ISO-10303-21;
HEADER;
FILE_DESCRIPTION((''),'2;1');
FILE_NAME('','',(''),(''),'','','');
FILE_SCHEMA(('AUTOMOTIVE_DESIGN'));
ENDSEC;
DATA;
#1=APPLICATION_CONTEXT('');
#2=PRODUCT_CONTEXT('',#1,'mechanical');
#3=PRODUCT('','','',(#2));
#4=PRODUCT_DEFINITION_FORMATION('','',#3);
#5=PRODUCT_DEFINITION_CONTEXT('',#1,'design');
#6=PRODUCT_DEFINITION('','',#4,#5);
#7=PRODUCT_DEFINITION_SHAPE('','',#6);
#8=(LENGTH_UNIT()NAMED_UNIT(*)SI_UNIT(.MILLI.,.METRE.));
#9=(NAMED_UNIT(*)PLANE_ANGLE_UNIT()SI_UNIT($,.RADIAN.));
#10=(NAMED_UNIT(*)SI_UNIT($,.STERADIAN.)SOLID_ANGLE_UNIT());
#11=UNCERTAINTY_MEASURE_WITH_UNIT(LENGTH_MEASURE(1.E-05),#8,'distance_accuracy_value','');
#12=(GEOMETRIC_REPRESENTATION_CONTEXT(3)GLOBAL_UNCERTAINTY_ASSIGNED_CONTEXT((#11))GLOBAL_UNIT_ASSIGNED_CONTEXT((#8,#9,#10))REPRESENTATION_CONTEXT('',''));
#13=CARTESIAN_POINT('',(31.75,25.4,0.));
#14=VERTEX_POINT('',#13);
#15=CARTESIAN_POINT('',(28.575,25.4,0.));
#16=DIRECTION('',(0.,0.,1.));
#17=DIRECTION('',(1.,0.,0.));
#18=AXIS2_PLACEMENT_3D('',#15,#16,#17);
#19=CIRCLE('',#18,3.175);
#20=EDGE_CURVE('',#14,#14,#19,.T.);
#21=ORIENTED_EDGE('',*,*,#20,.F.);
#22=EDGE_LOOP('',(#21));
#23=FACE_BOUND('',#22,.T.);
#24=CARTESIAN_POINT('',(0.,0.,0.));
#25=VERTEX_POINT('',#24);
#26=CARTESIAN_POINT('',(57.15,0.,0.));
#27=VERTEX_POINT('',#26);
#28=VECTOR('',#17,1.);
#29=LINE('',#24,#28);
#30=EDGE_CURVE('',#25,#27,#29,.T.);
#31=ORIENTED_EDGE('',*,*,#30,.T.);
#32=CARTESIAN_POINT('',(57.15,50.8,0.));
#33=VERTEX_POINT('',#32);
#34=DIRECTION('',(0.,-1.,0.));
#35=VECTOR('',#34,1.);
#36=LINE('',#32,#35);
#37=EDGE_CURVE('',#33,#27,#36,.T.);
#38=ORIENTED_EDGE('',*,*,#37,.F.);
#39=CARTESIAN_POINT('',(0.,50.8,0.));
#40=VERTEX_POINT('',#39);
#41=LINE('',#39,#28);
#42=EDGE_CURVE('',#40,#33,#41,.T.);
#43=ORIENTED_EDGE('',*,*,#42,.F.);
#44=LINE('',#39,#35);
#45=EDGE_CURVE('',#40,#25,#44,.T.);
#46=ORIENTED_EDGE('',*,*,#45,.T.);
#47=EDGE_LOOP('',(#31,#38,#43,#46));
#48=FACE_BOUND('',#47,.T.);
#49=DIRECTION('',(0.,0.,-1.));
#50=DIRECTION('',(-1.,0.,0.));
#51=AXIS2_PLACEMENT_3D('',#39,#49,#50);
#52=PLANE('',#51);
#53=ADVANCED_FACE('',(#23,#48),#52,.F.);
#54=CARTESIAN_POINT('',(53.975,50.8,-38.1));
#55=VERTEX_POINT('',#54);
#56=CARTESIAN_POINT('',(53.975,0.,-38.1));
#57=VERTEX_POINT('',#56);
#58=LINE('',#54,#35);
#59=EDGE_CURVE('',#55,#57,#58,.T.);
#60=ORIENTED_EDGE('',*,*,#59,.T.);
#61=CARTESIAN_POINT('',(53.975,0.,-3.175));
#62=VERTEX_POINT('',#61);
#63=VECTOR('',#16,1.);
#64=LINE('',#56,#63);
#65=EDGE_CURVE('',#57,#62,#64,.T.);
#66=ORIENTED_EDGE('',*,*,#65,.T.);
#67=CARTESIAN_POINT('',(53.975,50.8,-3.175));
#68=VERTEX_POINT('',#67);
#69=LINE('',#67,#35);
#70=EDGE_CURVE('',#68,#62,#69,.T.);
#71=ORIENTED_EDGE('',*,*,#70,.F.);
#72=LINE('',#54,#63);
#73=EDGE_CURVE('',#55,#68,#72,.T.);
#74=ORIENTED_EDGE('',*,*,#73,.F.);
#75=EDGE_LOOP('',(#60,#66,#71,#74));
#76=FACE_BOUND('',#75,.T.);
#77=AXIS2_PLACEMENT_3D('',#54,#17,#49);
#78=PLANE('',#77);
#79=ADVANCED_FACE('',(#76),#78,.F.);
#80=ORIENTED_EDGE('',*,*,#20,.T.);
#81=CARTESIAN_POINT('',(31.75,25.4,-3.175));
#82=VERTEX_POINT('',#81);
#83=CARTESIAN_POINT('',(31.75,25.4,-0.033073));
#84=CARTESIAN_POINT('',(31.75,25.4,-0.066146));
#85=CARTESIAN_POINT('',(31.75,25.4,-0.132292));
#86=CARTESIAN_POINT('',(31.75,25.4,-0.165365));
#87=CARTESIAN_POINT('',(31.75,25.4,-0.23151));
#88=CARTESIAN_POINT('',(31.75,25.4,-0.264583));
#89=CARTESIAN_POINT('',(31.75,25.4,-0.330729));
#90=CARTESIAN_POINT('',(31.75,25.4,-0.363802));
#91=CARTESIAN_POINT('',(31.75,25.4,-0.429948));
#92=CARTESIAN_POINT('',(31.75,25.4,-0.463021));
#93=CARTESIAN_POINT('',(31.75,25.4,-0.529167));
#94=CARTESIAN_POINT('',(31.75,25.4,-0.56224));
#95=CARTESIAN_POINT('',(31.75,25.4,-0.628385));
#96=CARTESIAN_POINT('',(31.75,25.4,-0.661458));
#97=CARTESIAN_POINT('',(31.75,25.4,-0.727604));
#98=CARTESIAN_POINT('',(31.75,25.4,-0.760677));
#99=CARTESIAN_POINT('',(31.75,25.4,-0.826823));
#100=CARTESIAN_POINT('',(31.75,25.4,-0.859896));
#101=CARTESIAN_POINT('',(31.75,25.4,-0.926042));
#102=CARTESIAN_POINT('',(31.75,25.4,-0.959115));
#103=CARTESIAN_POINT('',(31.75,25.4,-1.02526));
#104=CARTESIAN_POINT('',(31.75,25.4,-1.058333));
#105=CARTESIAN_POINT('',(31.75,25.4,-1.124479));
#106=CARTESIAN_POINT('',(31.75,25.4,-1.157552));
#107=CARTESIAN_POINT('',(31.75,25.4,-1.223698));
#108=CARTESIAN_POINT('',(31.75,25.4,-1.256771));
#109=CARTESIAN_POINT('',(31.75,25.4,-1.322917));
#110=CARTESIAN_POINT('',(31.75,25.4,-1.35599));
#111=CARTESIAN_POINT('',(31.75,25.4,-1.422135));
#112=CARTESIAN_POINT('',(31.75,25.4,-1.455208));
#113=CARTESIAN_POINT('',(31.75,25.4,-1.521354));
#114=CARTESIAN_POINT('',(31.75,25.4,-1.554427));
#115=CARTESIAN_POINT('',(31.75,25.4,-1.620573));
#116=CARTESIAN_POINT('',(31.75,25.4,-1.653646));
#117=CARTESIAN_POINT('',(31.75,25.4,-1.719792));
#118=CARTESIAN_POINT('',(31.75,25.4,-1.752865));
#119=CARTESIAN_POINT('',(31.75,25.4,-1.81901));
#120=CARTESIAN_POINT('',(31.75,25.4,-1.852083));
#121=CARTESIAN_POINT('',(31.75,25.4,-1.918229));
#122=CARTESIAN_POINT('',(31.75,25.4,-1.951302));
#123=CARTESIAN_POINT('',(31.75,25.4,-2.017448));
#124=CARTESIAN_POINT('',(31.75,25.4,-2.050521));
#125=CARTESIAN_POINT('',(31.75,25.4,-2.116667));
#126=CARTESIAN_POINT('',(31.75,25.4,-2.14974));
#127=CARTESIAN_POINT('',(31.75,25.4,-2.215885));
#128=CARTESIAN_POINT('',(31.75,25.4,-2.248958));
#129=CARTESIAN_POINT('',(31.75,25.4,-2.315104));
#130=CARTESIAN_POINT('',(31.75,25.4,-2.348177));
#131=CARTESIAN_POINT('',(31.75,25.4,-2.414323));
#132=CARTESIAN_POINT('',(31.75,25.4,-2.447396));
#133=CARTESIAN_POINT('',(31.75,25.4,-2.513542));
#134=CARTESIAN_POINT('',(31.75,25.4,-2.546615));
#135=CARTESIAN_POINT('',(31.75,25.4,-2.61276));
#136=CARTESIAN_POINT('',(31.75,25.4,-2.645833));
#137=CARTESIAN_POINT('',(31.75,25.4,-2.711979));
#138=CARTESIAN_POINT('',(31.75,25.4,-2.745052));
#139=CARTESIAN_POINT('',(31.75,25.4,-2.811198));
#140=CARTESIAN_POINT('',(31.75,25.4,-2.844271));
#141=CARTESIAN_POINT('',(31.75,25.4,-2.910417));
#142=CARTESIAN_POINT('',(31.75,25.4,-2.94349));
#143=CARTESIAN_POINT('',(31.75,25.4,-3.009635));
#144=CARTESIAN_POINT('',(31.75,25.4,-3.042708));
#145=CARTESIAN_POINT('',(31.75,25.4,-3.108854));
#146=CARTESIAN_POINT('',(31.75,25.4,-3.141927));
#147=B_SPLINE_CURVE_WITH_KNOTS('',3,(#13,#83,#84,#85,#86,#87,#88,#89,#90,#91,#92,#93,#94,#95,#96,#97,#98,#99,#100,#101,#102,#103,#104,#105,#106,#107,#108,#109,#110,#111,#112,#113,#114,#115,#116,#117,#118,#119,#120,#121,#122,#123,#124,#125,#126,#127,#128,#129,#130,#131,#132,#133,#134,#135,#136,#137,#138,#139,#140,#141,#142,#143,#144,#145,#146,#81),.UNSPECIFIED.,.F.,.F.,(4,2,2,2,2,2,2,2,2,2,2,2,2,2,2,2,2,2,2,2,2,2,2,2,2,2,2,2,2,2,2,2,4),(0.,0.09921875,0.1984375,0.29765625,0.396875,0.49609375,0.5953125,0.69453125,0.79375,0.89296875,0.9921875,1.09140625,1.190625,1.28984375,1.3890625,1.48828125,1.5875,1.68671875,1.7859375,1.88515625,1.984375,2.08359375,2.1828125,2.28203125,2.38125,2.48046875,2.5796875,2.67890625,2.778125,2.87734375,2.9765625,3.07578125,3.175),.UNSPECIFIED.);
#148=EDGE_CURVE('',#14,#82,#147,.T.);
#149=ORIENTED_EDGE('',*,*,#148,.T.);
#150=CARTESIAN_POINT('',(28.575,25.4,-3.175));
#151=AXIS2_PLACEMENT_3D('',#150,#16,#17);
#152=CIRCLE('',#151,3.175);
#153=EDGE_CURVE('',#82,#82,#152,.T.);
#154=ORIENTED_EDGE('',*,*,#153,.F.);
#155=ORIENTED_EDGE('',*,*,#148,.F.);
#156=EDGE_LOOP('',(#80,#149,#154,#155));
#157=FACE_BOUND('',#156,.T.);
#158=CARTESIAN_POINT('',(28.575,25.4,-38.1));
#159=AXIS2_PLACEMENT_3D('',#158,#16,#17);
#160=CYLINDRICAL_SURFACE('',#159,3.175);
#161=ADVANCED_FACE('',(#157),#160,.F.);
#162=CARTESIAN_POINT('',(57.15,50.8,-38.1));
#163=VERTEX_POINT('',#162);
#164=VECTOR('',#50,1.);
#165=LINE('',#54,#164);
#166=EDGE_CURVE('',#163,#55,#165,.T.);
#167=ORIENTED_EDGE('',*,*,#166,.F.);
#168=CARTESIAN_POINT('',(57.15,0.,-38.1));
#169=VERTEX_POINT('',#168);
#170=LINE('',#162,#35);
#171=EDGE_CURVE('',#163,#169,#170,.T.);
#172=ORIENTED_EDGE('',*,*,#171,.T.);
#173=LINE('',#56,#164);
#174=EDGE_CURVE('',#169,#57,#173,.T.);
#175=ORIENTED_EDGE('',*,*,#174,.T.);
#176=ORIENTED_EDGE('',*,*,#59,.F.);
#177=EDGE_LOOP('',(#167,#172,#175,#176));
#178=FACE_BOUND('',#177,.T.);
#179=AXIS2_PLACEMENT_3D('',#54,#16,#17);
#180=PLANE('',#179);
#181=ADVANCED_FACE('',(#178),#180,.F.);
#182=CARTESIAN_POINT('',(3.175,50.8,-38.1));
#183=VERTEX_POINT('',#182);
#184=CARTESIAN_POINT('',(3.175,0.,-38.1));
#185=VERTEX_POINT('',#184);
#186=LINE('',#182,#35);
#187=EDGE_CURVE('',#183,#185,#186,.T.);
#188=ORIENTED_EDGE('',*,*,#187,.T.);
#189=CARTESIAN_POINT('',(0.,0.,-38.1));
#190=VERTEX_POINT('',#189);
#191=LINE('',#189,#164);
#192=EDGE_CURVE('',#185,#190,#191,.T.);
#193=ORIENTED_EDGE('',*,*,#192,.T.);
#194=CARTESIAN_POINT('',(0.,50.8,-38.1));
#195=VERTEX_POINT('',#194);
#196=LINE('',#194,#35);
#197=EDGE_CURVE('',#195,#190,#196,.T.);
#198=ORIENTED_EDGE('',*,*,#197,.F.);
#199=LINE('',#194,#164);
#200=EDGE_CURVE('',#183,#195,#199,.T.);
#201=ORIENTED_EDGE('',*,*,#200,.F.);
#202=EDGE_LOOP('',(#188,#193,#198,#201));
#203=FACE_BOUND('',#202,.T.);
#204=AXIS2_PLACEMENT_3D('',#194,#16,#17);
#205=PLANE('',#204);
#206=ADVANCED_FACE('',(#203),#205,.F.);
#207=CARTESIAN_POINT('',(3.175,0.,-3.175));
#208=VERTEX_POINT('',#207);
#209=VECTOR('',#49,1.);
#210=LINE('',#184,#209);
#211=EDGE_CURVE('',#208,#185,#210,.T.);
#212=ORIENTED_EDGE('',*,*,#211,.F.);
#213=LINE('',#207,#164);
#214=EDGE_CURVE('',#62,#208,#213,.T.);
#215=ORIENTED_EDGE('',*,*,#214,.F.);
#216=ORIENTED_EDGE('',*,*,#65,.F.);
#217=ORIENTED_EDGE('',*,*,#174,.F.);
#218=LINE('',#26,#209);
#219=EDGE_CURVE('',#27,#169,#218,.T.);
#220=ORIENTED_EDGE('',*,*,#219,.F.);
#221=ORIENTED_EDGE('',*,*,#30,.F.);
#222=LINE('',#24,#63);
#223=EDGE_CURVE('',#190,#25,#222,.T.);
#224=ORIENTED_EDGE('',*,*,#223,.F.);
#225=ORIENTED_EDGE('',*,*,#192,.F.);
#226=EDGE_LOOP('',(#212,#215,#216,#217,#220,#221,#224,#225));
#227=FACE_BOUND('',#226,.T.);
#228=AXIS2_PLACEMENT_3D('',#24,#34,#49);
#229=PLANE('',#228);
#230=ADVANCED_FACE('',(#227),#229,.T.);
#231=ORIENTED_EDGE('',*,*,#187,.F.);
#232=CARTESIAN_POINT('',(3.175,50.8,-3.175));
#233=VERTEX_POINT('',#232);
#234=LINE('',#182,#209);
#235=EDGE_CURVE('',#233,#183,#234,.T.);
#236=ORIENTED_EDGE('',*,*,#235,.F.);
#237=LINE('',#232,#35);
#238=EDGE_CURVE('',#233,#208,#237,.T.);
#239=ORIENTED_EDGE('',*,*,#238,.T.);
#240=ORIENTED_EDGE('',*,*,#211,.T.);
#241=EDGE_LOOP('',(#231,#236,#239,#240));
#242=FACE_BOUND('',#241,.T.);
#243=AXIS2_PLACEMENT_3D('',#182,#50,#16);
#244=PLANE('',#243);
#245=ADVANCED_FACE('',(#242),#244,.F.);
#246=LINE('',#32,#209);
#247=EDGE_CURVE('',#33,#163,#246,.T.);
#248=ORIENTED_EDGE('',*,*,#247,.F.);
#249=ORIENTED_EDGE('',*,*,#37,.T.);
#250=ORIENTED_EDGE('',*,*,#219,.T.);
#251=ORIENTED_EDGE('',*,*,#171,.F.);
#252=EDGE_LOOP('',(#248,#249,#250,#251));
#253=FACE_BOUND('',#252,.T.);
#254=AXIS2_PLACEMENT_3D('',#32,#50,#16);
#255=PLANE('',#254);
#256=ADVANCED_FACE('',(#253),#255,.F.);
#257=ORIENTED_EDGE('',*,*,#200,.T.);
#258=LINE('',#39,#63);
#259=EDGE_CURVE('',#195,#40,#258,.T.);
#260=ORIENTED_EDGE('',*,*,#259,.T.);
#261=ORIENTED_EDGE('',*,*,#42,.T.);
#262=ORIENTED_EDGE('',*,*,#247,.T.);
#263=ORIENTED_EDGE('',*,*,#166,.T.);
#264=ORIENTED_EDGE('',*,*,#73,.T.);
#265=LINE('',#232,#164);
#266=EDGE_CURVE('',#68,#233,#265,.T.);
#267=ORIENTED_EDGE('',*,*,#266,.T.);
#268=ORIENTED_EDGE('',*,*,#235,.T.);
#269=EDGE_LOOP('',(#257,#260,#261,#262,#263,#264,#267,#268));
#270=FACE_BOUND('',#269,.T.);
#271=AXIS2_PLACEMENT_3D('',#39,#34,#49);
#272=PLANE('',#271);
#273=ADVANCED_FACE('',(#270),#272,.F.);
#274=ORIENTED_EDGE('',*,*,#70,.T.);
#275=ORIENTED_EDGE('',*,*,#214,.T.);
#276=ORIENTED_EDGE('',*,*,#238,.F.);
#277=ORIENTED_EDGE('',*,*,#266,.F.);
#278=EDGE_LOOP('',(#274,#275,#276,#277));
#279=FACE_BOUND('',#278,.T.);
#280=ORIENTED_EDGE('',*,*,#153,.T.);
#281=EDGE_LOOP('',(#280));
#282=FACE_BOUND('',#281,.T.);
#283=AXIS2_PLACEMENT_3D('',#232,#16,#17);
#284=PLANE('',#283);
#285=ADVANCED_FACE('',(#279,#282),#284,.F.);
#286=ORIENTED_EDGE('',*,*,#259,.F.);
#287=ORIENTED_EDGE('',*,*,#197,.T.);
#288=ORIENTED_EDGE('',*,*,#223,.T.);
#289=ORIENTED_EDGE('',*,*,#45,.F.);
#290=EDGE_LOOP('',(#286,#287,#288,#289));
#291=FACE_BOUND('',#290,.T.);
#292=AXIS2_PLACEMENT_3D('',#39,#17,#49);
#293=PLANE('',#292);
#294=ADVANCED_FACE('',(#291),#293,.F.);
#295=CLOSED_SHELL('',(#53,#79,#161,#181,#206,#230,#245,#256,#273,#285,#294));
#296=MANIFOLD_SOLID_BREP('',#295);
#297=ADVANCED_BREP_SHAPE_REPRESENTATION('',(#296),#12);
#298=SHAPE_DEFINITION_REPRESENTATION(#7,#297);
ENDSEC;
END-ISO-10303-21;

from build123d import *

# Parameters (mm, degrees)
BOSS_EXTRUDE1_DEPTH = 50.8
SKETCH2_R           = 3.175
CUT_EXTRUDE1_DEPTH  = 86.430512699


with BuildPart() as part:
    # Sketch1 → Boss-Extrude1 (new body)
    with BuildSketch(Plane(origin=(0, 0, 0), x_dir=(1, 0, 0), z_dir=(0, 1, 0))):
        Polygon((53.975, 38.1), (57.15, 38.1), (57.15, 0), (0, 0), (0, 38.1), (3.175, 38.1), (3.175, 3.175), (53.975, 3.175), align=None)
    extrude(amount=BOSS_EXTRUDE1_DEPTH)

    # Sketch2 → Cut-Extrude1 (cut, through all)
    with BuildSketch(Plane.XY):
        with Locations((28.575, 25.4)):
            Circle(SKETCH2_R)
    extrude(amount=-CUT_EXTRUDE1_DEPTH, mode=Mode.SUBTRACT)


solid = part.part
